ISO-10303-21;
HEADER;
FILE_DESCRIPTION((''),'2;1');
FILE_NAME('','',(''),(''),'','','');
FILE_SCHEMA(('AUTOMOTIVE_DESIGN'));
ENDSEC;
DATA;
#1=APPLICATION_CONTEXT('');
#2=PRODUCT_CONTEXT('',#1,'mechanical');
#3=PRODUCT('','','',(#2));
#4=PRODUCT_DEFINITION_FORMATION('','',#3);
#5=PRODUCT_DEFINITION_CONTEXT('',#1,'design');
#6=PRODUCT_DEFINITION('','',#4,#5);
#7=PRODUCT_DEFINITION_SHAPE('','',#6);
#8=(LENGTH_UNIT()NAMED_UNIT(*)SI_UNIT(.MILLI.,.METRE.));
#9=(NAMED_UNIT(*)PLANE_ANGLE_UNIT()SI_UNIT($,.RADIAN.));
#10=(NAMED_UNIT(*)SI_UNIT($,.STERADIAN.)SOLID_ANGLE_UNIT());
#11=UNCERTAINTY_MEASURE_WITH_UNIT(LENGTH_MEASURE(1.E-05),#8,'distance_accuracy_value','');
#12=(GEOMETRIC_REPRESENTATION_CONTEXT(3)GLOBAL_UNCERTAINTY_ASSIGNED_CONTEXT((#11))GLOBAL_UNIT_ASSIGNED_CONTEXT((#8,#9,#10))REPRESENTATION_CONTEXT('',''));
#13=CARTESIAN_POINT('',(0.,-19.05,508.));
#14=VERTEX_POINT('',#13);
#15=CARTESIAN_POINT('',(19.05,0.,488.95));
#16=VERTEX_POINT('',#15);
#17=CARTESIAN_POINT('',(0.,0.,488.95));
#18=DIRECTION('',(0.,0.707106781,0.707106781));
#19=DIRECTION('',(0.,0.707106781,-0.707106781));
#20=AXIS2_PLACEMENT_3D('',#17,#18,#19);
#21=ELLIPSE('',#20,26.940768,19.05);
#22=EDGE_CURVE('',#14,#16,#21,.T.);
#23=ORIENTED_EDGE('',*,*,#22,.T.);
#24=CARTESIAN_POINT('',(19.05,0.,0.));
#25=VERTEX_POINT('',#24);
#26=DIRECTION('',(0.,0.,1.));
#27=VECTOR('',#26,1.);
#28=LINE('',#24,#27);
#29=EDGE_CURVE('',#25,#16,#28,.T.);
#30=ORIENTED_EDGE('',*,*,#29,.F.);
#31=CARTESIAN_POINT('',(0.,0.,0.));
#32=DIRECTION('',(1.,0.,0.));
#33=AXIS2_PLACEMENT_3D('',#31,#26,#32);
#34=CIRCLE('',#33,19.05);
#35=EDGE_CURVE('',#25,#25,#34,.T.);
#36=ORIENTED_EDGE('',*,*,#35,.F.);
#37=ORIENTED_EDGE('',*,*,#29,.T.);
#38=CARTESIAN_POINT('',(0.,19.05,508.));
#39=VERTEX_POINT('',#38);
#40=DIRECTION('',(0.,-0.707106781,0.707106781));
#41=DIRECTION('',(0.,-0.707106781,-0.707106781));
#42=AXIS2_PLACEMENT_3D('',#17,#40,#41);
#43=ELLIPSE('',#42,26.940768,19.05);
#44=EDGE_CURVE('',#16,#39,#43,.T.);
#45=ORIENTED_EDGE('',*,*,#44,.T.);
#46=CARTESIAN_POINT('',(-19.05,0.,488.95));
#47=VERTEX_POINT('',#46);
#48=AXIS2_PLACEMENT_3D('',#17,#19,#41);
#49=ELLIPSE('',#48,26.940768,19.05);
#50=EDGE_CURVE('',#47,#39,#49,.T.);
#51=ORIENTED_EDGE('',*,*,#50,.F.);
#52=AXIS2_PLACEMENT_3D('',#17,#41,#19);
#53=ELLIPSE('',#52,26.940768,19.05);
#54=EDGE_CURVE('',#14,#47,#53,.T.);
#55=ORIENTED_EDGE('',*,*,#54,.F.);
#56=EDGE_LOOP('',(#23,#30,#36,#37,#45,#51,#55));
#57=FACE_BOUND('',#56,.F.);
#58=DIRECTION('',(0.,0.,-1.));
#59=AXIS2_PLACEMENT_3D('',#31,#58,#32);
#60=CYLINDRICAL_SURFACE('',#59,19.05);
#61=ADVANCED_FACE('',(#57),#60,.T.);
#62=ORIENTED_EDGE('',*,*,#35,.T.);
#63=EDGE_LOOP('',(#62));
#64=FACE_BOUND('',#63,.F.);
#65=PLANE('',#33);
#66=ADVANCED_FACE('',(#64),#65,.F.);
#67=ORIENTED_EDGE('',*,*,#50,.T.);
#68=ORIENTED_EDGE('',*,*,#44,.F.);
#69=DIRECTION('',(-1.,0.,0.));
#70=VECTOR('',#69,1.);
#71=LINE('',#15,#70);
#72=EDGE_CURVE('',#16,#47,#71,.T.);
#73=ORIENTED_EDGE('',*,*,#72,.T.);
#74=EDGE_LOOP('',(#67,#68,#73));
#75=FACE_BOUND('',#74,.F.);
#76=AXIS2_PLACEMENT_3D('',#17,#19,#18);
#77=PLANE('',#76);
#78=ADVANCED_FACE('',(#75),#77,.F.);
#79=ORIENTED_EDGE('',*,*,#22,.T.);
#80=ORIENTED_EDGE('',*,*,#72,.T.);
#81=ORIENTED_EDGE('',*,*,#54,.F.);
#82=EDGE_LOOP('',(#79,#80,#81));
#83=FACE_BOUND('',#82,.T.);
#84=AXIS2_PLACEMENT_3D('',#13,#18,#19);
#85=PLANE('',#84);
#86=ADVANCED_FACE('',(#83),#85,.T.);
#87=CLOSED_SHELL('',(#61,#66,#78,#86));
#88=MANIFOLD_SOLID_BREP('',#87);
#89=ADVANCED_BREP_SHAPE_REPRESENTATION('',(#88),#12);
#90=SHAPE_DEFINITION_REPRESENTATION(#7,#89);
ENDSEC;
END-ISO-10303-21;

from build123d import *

# Parameters (mm, degrees)
F0_R          = 19.05
F1_DEPTH      = 508
F5_DEPTH      = 25.4
F5_DEPTH_BACK = 25.4


with BuildPart() as f1:
    # F0 (on Top) → F1 (new body)
    with BuildSketch(Plane.XY):
        Circle(F0_R)
    extrude(amount=F1_DEPTH)

    # F4 (on face) → F5 (cut, two sides)
    with BuildSketch(Plane.YZ) as f5_sk:
        Polygon((19.05, 508), (-19.05, 508), (0, 488.95), align=None)
    extrude(amount=F5_DEPTH, mode=Mode.SUBTRACT)
    extrude(f5_sk.sketch, amount=-F5_DEPTH_BACK, mode=Mode.SUBTRACT)


solid = f1.part
